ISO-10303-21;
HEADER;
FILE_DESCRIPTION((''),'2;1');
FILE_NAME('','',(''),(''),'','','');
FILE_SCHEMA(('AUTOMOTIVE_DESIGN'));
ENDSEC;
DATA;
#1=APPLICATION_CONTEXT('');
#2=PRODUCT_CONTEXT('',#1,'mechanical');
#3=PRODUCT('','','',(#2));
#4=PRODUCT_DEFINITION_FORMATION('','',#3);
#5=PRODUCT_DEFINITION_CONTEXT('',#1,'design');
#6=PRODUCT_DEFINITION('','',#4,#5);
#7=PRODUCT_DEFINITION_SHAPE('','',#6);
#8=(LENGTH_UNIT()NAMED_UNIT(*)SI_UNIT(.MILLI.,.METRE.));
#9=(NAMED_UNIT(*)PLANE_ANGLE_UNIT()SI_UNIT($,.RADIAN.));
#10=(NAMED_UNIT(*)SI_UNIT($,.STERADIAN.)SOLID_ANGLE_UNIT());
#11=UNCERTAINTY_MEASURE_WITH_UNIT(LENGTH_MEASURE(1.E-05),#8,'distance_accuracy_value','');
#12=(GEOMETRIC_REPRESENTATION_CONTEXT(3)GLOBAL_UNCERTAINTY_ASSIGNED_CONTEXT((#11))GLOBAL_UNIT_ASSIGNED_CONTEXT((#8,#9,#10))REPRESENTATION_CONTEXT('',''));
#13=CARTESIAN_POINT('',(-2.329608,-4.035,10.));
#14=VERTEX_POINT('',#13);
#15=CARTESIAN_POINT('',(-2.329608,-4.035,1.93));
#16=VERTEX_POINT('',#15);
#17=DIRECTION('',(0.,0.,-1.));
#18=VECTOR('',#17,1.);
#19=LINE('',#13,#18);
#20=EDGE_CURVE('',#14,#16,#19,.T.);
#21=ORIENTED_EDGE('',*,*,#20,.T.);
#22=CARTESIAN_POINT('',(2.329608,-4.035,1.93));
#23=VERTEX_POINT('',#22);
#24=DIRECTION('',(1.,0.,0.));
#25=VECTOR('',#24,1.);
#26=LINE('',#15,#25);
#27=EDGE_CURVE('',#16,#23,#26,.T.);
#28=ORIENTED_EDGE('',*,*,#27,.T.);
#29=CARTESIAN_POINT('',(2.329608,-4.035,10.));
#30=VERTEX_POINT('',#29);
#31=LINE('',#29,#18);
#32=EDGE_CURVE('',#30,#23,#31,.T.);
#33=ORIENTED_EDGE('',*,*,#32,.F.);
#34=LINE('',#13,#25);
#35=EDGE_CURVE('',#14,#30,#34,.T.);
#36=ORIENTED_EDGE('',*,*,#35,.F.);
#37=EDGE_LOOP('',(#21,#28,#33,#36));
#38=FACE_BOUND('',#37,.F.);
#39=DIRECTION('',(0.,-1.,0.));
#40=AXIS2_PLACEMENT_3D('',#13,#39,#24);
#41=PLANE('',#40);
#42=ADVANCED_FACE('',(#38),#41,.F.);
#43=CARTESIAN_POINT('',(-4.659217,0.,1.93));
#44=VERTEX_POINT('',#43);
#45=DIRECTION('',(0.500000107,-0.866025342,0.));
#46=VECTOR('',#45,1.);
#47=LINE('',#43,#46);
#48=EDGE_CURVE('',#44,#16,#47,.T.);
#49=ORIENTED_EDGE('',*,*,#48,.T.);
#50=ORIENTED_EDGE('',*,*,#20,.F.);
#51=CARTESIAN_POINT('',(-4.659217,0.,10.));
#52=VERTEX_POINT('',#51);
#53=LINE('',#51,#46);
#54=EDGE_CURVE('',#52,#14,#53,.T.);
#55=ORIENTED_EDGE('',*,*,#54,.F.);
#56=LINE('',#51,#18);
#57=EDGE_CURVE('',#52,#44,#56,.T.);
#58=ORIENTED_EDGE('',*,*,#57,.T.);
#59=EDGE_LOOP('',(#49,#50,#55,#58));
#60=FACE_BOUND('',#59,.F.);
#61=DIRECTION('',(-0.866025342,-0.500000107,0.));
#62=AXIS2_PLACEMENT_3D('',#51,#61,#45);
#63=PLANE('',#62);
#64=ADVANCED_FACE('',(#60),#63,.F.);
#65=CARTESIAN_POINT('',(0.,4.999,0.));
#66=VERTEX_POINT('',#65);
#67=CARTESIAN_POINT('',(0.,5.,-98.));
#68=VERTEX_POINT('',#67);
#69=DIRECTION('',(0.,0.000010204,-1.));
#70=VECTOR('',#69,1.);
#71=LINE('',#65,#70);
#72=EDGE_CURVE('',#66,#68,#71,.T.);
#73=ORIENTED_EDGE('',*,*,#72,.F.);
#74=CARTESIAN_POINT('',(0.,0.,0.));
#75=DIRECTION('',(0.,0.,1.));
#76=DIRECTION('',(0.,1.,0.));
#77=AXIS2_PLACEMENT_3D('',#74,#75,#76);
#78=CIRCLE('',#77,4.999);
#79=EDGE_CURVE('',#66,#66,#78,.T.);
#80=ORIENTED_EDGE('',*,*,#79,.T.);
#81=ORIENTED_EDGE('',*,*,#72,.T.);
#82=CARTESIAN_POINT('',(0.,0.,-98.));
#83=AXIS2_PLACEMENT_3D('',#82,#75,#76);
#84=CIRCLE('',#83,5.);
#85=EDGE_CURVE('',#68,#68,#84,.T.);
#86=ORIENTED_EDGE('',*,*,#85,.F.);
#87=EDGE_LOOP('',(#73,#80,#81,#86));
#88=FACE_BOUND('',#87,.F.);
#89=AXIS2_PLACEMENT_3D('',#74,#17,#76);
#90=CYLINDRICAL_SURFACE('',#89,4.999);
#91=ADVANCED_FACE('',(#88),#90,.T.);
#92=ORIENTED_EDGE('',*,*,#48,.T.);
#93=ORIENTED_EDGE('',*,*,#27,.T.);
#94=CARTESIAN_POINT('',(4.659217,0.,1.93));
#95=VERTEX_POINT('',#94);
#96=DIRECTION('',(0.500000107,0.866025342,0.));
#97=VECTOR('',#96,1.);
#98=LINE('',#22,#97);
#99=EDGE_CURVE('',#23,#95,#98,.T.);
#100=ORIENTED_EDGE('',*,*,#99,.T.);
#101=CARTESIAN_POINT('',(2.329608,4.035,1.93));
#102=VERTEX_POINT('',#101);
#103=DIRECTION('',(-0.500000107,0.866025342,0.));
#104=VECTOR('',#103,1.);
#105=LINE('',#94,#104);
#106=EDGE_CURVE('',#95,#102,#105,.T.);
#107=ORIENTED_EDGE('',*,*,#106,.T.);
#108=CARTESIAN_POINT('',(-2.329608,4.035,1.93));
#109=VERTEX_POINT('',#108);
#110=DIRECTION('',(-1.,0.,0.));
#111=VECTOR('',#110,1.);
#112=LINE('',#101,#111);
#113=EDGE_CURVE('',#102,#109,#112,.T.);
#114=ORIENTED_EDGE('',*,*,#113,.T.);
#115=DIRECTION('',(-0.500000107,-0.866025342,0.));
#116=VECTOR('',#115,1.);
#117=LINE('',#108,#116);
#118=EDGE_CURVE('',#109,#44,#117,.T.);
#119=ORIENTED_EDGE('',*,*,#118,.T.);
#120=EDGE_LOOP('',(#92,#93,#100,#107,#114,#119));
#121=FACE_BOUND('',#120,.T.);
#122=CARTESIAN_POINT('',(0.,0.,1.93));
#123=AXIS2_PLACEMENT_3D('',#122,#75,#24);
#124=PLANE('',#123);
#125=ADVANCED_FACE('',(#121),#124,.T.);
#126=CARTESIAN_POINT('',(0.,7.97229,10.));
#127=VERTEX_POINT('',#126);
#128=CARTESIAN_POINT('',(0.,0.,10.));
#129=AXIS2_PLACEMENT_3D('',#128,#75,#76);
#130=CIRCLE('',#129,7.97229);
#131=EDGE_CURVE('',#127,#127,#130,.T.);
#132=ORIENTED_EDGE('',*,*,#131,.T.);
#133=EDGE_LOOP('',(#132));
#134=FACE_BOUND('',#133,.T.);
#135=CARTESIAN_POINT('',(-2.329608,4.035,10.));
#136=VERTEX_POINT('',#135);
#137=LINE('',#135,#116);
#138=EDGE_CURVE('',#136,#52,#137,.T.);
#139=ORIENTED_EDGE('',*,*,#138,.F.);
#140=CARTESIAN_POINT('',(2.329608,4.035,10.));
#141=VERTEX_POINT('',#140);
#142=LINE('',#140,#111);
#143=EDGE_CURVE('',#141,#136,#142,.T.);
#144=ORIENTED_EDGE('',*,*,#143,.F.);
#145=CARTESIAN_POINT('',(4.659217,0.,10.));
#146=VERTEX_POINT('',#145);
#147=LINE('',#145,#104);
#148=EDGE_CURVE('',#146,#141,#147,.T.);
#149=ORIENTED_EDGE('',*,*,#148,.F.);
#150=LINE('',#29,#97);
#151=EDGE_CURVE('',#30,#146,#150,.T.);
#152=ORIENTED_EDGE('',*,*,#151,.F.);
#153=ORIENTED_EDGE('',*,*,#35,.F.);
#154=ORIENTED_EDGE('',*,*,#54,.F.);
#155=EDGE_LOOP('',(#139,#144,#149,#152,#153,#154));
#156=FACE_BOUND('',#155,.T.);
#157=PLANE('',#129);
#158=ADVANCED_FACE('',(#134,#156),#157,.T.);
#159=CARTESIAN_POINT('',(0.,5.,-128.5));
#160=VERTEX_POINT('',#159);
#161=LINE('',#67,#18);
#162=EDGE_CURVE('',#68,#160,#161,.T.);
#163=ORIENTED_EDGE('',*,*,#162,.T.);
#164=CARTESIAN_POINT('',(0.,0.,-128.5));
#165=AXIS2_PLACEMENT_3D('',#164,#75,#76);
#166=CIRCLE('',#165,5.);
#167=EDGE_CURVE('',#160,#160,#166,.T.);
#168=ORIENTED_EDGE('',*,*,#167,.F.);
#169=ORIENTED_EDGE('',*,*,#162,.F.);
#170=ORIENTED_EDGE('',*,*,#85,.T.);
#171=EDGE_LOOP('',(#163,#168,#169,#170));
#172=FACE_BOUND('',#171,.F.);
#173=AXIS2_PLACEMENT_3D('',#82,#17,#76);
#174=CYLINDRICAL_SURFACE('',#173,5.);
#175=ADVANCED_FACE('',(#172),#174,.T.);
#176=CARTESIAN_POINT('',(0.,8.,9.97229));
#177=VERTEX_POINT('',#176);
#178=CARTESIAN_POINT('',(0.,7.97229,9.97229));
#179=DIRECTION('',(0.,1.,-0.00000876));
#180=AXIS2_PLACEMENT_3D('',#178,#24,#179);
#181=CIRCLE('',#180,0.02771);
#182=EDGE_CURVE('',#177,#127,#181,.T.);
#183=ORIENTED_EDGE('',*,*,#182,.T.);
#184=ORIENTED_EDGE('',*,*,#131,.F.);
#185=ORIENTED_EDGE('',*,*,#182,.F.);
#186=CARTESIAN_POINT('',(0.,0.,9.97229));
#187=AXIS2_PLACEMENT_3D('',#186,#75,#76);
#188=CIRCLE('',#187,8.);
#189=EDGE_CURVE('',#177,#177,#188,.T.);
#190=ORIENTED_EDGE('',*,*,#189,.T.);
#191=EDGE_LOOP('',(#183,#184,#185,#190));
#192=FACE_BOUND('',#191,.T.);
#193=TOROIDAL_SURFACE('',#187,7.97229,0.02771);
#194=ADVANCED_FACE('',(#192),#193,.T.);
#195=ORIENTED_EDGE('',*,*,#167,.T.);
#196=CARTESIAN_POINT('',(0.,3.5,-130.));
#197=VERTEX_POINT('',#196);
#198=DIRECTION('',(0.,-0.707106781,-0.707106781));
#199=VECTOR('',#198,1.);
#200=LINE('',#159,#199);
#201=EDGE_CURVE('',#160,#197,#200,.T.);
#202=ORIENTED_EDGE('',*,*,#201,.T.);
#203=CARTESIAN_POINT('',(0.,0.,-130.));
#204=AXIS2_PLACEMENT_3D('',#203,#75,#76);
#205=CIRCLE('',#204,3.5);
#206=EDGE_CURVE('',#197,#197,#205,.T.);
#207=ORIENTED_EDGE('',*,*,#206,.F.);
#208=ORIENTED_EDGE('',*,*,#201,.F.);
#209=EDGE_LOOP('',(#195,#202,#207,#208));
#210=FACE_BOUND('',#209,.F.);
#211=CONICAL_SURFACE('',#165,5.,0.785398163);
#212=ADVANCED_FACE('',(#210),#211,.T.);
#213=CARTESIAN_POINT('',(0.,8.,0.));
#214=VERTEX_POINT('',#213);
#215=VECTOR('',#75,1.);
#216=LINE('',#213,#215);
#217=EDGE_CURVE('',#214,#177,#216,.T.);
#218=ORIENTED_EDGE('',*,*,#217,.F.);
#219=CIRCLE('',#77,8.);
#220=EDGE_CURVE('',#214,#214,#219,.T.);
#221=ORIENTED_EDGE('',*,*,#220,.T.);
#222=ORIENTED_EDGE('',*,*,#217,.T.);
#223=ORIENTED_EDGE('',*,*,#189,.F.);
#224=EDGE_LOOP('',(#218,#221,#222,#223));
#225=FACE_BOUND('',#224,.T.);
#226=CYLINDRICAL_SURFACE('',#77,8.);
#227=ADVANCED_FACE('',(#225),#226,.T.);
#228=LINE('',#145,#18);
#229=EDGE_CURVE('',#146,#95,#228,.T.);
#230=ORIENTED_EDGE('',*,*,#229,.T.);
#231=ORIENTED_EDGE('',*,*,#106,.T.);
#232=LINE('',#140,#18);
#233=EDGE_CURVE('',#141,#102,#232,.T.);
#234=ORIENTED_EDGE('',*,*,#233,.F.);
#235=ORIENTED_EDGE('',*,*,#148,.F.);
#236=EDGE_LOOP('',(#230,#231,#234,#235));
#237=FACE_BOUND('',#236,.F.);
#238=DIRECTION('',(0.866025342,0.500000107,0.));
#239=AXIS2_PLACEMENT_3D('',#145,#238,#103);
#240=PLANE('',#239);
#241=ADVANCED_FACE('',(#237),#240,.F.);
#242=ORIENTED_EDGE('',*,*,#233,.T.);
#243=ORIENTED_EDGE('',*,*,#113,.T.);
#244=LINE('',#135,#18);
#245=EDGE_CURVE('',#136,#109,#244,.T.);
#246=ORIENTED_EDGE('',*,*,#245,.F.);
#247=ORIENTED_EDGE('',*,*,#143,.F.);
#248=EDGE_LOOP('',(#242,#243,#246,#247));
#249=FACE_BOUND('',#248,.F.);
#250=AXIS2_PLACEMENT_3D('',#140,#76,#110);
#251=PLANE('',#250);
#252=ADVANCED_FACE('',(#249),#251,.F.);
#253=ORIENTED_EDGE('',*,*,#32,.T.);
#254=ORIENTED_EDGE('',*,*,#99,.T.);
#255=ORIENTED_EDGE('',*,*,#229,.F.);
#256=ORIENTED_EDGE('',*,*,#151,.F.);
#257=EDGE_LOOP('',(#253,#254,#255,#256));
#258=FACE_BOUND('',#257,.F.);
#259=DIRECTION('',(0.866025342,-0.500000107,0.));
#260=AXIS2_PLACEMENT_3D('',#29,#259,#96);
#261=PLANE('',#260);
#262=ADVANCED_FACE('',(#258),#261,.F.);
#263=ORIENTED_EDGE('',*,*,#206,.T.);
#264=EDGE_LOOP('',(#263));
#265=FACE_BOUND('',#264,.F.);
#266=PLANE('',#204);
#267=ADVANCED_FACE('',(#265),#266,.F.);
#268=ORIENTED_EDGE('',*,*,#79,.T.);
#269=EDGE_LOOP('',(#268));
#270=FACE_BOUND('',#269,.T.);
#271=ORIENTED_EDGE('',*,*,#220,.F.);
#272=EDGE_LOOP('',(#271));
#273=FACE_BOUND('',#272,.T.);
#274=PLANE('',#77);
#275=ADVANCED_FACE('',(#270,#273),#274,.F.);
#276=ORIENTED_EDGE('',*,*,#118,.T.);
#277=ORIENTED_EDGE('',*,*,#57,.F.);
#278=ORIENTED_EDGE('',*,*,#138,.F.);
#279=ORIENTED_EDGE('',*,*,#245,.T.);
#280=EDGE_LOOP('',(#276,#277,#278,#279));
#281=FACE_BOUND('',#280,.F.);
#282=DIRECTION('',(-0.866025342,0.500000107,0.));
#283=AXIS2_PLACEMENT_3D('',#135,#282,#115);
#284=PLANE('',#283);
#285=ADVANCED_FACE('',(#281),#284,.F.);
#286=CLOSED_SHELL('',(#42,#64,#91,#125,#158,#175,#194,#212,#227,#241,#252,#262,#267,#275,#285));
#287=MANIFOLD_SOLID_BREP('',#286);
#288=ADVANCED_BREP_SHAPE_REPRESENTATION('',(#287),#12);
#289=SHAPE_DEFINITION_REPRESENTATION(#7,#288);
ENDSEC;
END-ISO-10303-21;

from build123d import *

# Parameters (mm, degrees)
POCKET_DEPTH = 8.07


with BuildPart() as part:
    # Sketch → Revolve (revolve)
    with BuildSketch(Plane.YZ):
        with BuildLine():
            Line((4.999, 0), (8, 0))
            Line((8, 0), (8, 9.97229))
            ThreePointArc((8, 9.97229), (7.991884, 9.991884), (7.97229, 10))
            Line((7.97229, 10), (0, 10))
            Line((0, -130), (0, 10))
            Line((3.5, -130), (0, -130))
            Line((5, -128.5), (3.5, -130))
            Line((5, -98), (5, -128.5))
            Line((4.999, 0), (5, -98))
        make_face()
    revolve(axis=Axis((0, 0, 0), (0, 0, 1)))

    # Sketch001 → Pocket (cut)
    with BuildSketch(Plane.XY.offset(10)):
        Polygon((4.659217, 0), (2.329608, 4.035), (-2.329608, 4.035), (-4.659217, 0), (-2.329608, -4.035), (2.329608, -4.035), align=None)
    extrude(amount=-POCKET_DEPTH, mode=Mode.SUBTRACT)


solid = part.part
